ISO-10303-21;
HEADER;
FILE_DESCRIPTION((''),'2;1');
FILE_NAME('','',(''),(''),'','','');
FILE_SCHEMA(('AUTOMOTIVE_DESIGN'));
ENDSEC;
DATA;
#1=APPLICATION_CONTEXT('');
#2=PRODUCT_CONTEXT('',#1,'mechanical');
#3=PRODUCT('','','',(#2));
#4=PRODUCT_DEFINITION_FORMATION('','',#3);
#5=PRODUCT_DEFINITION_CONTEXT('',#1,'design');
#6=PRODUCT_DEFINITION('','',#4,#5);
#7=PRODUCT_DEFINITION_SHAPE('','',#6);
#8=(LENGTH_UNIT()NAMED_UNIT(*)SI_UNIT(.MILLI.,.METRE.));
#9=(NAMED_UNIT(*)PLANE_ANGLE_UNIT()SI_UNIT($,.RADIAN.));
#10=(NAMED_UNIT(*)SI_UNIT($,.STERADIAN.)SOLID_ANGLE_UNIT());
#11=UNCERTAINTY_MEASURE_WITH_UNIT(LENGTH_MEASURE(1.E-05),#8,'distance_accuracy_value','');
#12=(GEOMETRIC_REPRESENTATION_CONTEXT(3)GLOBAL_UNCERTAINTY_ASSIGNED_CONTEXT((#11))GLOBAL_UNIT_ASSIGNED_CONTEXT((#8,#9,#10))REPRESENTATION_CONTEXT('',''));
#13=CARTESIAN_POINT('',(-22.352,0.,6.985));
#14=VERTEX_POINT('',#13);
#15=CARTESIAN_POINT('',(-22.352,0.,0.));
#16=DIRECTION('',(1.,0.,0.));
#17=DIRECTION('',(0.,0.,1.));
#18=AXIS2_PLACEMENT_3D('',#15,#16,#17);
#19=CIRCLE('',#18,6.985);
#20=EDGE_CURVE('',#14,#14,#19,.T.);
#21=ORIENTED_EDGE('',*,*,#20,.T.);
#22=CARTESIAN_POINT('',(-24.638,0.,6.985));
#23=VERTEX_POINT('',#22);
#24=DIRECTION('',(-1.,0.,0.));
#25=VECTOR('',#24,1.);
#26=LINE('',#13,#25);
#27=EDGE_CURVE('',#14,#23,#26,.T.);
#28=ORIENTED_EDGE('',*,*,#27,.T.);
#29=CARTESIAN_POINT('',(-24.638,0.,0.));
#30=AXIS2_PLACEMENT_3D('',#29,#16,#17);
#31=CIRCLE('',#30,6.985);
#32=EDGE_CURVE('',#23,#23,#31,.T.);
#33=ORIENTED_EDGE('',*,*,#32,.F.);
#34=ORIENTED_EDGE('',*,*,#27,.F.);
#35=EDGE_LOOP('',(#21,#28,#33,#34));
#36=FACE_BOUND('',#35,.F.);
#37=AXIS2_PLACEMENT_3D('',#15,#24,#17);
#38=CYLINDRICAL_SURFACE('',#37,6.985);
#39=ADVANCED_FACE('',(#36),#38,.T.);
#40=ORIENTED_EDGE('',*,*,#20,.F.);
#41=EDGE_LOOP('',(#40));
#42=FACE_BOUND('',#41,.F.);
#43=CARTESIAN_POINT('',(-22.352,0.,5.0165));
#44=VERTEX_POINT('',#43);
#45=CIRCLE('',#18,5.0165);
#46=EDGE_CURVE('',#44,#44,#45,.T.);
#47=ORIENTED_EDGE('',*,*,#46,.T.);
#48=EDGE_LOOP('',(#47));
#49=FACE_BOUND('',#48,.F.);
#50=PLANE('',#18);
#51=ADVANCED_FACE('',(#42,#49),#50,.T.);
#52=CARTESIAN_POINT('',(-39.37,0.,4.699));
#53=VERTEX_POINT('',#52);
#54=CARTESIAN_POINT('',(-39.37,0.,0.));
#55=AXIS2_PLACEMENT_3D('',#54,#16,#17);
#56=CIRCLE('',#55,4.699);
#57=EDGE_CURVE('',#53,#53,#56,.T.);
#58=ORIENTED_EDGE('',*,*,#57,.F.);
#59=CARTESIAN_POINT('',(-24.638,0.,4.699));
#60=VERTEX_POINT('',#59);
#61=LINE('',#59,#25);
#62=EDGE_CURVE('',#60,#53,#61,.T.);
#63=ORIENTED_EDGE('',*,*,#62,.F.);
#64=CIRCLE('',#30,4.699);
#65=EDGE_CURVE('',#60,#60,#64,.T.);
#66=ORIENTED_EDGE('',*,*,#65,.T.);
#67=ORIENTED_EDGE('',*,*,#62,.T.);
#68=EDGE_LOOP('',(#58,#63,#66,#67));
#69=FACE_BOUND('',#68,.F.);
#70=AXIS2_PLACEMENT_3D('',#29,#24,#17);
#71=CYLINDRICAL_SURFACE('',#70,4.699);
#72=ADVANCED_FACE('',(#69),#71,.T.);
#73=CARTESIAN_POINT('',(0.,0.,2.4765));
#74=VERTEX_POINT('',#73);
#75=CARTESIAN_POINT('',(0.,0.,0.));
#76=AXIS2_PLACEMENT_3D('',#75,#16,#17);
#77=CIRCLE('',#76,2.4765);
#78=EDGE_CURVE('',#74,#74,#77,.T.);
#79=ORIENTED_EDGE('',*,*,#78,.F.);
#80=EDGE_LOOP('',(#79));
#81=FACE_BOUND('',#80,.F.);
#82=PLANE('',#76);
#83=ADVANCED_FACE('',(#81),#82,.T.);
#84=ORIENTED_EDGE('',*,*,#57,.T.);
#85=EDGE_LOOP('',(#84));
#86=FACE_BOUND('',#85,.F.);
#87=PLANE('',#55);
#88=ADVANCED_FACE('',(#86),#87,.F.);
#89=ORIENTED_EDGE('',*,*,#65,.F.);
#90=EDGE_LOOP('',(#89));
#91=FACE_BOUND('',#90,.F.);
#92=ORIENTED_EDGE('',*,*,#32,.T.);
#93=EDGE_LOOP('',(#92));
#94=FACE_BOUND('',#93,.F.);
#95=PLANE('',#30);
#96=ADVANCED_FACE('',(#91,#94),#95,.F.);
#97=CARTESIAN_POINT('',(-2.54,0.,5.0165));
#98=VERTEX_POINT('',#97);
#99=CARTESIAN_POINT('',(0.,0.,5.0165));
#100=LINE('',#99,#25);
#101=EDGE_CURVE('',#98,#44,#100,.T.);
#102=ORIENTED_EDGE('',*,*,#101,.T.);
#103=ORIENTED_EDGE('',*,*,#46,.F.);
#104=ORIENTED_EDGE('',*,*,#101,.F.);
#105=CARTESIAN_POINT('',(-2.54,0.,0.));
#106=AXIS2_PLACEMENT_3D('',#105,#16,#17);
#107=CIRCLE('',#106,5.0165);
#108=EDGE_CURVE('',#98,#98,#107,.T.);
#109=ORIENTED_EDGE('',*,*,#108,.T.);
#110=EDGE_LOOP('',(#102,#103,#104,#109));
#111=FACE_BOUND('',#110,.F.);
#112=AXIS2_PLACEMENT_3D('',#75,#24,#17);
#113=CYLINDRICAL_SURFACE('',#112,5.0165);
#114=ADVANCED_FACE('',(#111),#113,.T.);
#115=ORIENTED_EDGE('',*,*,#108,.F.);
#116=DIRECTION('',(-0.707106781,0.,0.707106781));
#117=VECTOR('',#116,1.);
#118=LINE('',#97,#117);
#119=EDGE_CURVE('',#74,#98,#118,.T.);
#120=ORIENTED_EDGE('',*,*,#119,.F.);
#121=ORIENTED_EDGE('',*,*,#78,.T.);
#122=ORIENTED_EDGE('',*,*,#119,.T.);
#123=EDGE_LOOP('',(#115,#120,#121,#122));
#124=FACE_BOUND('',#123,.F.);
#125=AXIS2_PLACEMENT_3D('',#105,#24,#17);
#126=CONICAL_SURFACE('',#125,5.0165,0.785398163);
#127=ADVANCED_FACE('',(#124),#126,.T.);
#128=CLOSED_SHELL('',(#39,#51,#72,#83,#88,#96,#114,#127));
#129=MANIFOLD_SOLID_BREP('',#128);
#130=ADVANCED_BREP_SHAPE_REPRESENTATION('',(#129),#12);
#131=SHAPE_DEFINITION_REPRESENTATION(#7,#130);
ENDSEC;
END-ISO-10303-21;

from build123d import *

# Parameters (mm, degrees)
F2_SIZE = 2.54


with BuildPart() as f1:
    # F0 (on Front) → F1 (revolve)
    with BuildSketch(Plane.XZ):
        Polygon((-39.37, 0), (0, 0), (0, 5.0165), (-22.352, 5.0165), (-22.352, 6.985), (-24.638, 6.985), (-24.638, 4.699), (-39.37, 4.699), align=None)
    revolve(axis=Axis((-19.685, 0, 0), (1, 0, 0)))

    # F2
    f2_edges = [f1.edges().sort_by_distance(p)[0] for p in [
        (0, 0, -5.0165),
    ]]
    chamfer(f2_edges, length=F2_SIZE)


solid = f1.part
